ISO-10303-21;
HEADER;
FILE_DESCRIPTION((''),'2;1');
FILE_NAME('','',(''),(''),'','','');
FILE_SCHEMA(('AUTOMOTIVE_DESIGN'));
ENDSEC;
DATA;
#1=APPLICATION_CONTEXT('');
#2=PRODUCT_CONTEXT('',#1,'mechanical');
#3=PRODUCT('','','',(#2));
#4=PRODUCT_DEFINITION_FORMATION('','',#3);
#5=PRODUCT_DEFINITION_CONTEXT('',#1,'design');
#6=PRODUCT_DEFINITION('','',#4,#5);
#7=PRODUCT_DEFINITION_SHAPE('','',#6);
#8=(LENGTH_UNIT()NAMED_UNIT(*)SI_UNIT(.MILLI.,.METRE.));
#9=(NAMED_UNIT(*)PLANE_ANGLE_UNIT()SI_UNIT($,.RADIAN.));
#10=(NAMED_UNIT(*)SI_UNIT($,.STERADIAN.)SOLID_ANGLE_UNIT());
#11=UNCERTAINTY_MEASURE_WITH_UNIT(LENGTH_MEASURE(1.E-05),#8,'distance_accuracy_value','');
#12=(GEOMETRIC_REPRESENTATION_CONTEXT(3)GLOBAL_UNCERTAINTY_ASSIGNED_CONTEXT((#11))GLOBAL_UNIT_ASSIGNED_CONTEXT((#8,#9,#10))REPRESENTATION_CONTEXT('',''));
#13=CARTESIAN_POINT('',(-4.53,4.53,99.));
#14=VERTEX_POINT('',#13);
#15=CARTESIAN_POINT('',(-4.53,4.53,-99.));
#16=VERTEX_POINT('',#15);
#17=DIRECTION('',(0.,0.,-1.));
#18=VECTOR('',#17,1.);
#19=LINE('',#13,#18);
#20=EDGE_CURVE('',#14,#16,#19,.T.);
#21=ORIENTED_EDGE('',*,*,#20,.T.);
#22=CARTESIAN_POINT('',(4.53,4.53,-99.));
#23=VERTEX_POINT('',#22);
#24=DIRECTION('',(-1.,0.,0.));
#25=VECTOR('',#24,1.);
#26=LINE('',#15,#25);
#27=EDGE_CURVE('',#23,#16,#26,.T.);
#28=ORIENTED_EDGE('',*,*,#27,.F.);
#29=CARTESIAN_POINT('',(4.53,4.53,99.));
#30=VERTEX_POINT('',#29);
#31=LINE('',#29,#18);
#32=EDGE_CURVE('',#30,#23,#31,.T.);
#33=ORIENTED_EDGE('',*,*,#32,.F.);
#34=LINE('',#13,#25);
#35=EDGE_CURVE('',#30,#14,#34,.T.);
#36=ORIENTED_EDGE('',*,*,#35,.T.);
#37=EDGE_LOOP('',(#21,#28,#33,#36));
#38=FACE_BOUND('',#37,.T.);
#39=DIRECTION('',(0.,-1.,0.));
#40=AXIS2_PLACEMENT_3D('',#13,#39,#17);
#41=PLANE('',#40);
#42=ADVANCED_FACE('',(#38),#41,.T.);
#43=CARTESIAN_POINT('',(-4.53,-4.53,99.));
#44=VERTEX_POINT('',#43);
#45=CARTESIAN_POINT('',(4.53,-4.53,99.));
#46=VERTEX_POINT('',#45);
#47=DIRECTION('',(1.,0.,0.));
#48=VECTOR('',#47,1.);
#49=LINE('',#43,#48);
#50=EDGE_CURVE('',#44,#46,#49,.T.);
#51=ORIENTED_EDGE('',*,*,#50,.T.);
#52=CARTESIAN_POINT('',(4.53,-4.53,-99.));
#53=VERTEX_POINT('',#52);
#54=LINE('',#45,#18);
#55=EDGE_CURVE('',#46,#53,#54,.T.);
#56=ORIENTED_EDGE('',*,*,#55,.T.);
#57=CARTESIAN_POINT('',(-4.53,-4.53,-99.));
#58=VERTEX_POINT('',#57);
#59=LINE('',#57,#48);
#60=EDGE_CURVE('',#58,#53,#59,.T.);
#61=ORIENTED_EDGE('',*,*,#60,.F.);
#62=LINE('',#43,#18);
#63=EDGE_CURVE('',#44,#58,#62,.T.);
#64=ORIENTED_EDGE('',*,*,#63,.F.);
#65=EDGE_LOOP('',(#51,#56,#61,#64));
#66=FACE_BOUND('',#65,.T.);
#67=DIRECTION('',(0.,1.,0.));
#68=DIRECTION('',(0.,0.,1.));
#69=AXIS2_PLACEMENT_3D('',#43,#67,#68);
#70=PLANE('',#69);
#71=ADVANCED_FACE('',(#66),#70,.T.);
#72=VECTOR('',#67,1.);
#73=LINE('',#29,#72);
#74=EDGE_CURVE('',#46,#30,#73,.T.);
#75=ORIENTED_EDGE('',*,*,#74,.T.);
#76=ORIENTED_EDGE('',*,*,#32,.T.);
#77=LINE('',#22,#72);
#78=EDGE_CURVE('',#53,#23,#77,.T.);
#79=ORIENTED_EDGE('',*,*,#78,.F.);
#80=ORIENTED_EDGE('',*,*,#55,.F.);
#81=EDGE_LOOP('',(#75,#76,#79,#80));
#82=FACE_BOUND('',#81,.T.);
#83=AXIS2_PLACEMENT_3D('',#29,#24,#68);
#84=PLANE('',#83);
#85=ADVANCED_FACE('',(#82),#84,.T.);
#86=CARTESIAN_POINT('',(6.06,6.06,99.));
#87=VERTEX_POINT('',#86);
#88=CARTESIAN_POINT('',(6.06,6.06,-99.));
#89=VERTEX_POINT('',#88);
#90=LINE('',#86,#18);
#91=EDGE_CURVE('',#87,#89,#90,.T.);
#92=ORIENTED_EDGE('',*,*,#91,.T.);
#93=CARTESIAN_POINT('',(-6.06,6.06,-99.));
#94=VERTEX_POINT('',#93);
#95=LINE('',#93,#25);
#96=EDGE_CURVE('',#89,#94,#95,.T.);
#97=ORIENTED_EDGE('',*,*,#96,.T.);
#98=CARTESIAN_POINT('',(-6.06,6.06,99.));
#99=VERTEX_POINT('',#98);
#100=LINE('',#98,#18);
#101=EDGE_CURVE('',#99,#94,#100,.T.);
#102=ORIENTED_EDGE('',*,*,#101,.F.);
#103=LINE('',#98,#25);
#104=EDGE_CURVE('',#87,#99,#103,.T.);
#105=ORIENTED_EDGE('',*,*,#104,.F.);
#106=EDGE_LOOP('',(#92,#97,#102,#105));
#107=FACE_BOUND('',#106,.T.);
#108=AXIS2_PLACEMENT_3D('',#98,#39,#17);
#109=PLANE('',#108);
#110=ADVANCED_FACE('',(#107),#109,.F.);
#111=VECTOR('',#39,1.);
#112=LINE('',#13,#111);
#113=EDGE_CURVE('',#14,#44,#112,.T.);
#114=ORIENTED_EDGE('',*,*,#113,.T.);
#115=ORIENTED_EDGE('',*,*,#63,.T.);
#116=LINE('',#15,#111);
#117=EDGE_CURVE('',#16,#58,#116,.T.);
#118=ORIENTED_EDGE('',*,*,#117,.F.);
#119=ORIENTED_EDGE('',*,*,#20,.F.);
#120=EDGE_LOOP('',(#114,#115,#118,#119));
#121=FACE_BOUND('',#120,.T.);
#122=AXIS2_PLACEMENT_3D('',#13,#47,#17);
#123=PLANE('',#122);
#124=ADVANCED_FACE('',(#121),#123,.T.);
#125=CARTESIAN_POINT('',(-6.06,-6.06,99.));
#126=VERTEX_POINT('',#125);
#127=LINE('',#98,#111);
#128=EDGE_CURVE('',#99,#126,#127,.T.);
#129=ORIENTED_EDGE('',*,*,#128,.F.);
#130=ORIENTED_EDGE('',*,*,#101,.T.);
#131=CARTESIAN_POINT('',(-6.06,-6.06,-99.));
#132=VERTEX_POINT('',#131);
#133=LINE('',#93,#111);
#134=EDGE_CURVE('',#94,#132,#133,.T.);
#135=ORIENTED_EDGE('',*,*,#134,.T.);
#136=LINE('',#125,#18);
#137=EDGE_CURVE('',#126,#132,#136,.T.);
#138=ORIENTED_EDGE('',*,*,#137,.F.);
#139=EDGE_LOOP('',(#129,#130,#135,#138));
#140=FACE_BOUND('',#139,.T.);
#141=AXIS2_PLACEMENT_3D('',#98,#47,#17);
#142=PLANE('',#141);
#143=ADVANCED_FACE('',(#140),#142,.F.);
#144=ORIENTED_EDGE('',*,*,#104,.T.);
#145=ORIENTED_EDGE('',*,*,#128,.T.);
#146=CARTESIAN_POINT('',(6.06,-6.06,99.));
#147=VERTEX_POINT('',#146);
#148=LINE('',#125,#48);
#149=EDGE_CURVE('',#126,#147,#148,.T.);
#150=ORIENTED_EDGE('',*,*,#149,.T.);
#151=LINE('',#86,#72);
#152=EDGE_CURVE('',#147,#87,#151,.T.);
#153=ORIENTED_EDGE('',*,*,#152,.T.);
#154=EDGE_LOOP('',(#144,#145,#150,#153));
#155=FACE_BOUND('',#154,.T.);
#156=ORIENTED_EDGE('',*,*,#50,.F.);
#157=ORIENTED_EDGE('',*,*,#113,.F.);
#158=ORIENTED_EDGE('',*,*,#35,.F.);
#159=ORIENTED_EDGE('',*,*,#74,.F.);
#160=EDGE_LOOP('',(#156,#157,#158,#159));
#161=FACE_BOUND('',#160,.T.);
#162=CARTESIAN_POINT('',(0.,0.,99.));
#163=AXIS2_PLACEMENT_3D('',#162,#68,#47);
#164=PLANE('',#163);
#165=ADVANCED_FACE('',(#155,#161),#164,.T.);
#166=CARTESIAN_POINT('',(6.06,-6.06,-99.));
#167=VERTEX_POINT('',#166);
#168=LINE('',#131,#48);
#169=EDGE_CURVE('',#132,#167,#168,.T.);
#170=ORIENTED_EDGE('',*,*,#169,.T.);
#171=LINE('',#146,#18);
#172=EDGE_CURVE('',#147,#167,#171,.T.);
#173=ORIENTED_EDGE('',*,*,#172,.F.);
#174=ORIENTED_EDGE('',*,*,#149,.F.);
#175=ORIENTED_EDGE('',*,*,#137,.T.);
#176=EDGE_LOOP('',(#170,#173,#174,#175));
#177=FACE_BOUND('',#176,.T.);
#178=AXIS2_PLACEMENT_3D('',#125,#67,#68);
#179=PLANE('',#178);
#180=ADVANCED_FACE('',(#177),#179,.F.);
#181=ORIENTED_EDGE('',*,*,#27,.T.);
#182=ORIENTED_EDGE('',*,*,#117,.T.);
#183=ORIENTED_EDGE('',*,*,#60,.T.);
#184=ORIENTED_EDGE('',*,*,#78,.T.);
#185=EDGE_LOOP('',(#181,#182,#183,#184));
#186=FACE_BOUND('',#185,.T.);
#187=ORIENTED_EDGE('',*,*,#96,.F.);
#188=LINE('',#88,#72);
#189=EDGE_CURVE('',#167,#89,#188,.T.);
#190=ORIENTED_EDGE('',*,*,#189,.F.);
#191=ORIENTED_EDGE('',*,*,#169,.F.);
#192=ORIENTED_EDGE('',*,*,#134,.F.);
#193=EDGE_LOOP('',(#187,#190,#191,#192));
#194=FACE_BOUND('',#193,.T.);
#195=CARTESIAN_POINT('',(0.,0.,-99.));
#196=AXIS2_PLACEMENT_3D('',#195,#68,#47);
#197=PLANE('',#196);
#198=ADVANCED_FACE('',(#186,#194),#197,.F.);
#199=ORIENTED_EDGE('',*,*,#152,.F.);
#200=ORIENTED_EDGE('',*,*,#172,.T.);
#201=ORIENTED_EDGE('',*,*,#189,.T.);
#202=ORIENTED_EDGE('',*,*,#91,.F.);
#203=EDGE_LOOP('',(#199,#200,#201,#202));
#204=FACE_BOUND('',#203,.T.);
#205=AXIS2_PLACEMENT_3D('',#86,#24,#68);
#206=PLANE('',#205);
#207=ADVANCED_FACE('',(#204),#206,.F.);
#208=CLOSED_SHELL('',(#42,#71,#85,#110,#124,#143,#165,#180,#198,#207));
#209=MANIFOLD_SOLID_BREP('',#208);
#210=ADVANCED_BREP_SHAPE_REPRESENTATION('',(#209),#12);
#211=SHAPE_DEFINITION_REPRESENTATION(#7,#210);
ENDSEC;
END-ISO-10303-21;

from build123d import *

# Parameters (mm, degrees)
SKETCH1_W           = 12.12
SKETCH1_H           = 12.12
SKETCH1_W_2         = 9.06
SKETCH1_H_2         = 9.06
BOSS_EXTRUDE1_DEPTH = 99


with BuildPart() as part:
    # Sketch1 → Boss-Extrude1 (new, symmetric)
    with BuildSketch(Plane.XY):
        Rectangle(SKETCH1_W, SKETCH1_H)
        Rectangle(SKETCH1_W_2, SKETCH1_H_2, mode=Mode.SUBTRACT)
    extrude(amount=BOSS_EXTRUDE1_DEPTH, both=True)


solid = part.part
